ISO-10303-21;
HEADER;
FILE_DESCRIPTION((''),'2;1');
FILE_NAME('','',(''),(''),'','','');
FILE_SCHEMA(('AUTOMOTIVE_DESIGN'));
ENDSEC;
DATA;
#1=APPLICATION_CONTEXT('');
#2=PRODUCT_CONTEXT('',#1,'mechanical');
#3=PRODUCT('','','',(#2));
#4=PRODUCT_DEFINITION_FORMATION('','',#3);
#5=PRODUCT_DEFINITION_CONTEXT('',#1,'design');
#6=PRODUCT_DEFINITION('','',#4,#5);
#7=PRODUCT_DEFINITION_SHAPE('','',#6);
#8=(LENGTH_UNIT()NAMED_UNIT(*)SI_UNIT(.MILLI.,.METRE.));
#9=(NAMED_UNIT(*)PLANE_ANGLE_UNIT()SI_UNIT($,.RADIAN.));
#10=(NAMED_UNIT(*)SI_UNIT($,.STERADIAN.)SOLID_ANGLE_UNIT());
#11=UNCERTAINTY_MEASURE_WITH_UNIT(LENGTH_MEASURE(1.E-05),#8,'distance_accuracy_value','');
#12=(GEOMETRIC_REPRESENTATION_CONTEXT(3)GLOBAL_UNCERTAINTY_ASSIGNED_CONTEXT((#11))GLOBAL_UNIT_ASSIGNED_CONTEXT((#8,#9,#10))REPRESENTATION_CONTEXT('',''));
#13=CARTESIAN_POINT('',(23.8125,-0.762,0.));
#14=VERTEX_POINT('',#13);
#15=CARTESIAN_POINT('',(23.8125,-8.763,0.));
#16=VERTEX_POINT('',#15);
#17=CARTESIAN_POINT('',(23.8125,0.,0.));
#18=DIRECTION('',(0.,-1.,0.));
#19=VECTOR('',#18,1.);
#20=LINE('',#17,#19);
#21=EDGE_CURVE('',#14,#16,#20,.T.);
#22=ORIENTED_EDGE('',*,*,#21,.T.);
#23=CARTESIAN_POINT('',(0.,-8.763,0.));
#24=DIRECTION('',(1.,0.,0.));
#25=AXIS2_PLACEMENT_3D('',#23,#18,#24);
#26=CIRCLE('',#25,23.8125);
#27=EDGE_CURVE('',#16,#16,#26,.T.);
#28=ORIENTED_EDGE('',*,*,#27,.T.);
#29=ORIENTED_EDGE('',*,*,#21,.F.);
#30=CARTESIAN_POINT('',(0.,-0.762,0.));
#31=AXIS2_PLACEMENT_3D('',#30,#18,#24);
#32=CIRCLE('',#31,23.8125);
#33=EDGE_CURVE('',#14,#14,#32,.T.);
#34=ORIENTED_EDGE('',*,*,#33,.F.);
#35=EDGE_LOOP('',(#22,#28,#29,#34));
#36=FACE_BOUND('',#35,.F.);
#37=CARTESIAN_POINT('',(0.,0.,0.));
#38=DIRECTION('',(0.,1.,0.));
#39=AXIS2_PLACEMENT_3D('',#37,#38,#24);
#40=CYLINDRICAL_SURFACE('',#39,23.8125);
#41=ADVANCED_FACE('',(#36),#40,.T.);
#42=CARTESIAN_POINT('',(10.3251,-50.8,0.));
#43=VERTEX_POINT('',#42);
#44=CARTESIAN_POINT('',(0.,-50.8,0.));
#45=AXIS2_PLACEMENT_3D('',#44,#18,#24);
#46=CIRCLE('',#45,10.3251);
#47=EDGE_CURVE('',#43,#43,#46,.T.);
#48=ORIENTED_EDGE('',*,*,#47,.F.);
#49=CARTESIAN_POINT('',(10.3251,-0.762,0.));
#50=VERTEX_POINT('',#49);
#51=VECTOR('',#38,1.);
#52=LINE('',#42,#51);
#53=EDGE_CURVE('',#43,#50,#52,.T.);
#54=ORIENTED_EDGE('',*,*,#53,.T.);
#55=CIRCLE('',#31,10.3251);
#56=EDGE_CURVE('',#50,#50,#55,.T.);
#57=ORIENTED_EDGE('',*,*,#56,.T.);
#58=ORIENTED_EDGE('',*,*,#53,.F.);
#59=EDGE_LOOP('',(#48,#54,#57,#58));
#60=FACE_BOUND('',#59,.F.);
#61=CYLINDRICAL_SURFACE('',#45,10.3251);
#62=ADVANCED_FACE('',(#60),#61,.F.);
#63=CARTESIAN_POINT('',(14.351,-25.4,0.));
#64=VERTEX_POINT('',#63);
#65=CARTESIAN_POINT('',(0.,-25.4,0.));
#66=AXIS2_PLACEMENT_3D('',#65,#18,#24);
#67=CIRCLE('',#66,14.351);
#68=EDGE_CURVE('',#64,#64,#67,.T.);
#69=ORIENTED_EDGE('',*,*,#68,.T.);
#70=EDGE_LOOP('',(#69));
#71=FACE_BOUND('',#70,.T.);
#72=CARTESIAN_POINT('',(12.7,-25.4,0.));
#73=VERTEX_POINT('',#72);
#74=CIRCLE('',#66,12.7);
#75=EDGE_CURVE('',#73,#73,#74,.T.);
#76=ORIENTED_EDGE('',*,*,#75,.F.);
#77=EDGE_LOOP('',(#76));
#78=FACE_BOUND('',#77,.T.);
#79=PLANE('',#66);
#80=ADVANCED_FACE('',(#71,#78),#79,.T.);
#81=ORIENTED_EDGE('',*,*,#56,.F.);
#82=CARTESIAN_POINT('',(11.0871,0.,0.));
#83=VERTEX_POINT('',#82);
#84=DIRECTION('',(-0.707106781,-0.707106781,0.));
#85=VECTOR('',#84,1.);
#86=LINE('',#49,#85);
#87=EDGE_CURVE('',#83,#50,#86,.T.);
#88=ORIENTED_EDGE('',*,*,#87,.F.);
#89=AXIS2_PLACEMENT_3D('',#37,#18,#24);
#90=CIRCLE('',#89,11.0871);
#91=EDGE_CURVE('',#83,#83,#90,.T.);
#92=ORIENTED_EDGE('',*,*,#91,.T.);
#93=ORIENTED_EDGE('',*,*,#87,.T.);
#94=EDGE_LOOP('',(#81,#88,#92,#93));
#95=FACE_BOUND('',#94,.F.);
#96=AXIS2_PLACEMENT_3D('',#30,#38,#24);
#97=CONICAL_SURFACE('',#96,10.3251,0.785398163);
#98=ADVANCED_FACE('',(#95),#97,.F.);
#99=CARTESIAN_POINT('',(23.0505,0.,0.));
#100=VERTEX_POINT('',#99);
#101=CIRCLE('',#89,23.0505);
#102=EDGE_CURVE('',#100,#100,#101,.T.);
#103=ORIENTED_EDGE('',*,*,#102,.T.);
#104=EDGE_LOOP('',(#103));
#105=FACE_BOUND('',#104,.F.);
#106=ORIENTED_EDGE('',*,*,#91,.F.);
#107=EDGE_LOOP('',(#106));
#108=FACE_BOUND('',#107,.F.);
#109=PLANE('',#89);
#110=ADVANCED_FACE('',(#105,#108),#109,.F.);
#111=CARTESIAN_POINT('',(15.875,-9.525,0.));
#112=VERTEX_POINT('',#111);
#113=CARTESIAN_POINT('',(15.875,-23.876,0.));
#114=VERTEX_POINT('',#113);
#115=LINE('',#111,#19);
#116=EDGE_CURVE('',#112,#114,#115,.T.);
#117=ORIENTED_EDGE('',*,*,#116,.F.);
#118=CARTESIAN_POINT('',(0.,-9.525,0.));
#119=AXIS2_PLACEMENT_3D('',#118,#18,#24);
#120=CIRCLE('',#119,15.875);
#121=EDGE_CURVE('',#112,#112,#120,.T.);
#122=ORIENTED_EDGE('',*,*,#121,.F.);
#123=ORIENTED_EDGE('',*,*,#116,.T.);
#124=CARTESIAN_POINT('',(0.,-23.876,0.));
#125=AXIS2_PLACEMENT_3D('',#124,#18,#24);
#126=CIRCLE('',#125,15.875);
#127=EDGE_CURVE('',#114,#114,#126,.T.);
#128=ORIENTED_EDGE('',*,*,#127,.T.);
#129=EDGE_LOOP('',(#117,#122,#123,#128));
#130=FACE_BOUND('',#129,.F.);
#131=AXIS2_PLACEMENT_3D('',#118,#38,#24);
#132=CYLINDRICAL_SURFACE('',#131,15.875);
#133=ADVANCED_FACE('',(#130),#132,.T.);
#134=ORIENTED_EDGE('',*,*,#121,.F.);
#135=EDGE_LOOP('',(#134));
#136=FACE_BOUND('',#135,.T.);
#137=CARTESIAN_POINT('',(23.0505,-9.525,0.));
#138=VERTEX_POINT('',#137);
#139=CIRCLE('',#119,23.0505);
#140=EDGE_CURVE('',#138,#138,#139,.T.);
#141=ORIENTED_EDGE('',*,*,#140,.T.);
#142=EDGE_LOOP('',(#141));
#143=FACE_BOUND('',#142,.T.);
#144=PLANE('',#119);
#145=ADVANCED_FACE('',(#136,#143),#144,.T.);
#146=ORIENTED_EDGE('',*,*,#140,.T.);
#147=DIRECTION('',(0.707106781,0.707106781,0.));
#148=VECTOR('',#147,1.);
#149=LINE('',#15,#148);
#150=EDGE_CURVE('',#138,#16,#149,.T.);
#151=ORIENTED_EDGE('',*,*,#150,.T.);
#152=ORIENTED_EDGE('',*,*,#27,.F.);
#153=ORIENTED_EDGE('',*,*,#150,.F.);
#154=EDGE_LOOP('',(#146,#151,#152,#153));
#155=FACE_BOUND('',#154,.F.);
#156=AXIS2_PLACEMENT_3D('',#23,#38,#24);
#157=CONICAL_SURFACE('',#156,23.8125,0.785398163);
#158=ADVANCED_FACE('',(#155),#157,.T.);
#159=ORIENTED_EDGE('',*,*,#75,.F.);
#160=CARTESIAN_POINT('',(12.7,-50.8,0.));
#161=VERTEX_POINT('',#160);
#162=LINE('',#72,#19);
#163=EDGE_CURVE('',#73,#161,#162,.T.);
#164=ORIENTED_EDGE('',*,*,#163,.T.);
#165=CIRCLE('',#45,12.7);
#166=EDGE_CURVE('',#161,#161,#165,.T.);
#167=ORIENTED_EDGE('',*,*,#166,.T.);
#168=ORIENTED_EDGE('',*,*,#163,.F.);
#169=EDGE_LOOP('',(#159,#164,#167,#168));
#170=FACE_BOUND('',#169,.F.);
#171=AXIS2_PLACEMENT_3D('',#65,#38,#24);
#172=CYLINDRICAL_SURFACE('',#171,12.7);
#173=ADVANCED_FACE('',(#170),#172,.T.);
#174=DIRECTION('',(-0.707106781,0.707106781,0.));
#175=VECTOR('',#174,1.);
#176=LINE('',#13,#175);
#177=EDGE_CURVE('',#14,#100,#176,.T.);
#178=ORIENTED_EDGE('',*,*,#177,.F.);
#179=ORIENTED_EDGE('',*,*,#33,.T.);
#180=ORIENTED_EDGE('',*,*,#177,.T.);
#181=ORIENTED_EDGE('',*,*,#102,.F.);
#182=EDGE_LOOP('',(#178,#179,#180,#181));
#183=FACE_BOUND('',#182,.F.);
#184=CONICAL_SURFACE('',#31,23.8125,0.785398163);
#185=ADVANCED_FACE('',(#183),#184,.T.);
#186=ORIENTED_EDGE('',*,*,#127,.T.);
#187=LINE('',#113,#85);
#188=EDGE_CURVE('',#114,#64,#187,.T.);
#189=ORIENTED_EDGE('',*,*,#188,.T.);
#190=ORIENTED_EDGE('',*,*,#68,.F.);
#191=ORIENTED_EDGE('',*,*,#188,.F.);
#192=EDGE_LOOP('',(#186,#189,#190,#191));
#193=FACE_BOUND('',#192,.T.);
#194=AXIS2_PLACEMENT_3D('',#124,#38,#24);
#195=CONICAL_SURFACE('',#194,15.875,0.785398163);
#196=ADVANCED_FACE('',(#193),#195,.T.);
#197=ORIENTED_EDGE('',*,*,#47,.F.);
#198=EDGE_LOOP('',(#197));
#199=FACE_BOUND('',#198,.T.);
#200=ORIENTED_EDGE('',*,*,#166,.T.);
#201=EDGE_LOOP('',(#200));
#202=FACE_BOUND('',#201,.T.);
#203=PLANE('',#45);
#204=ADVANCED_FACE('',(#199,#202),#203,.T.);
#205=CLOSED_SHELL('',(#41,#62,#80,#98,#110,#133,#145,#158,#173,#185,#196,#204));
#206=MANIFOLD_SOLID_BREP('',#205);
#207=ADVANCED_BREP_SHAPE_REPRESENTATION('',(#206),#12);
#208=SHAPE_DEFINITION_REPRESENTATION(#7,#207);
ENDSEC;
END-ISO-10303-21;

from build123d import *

# Parameters (mm, degrees)
F0_R     = 23.8125
F1_DEPTH = 9.525
F2_R     = 15.875
F3_DEPTH = 15.875
F4_R     = 12.7
F5_DEPTH = 25.4
F6_R     = 10.3251
F7_DEPTH = 50.801
F8_SIZE  = 1.524
F9_SIZE  = 0.762


with BuildPart() as f1:
    # F0 (on Front) → F1 (new body)
    with BuildSketch(Plane.XZ):
        Circle(F0_R)
    extrude(amount=F1_DEPTH)

    # F2 (on face) → F3 (join)
    with BuildSketch(Plane.XZ.offset(9.525)):
        Circle(F2_R)
    extrude(amount=F3_DEPTH)

    # F4 (on face) → F5 (join)
    with BuildSketch(Plane.XZ.offset(25.4)):
        Circle(F4_R)
    extrude(amount=F5_DEPTH)

    # F6 (on face) → F7 (cut, through all)
    with BuildSketch(Plane.XZ.offset(50.8)):
        Circle(F6_R)
    extrude(amount=-F7_DEPTH, mode=Mode.SUBTRACT)

    # F8
    f8_edges = [f1.edges().sort_by_distance(p)[0] for p in [
        (-15.875, -25.4, 0),
    ]]
    chamfer(f8_edges, length=F8_SIZE)

    # F9
    f9_edges = [f1.edges().sort_by_distance(p)[0] for p in [
        (-23.8125, -9.525, 0),
        (-23.8125, 0, 0),
        (-10.3251, 0, 0),
    ]]
    chamfer(f9_edges, length=F9_SIZE)


solid = f1.part
